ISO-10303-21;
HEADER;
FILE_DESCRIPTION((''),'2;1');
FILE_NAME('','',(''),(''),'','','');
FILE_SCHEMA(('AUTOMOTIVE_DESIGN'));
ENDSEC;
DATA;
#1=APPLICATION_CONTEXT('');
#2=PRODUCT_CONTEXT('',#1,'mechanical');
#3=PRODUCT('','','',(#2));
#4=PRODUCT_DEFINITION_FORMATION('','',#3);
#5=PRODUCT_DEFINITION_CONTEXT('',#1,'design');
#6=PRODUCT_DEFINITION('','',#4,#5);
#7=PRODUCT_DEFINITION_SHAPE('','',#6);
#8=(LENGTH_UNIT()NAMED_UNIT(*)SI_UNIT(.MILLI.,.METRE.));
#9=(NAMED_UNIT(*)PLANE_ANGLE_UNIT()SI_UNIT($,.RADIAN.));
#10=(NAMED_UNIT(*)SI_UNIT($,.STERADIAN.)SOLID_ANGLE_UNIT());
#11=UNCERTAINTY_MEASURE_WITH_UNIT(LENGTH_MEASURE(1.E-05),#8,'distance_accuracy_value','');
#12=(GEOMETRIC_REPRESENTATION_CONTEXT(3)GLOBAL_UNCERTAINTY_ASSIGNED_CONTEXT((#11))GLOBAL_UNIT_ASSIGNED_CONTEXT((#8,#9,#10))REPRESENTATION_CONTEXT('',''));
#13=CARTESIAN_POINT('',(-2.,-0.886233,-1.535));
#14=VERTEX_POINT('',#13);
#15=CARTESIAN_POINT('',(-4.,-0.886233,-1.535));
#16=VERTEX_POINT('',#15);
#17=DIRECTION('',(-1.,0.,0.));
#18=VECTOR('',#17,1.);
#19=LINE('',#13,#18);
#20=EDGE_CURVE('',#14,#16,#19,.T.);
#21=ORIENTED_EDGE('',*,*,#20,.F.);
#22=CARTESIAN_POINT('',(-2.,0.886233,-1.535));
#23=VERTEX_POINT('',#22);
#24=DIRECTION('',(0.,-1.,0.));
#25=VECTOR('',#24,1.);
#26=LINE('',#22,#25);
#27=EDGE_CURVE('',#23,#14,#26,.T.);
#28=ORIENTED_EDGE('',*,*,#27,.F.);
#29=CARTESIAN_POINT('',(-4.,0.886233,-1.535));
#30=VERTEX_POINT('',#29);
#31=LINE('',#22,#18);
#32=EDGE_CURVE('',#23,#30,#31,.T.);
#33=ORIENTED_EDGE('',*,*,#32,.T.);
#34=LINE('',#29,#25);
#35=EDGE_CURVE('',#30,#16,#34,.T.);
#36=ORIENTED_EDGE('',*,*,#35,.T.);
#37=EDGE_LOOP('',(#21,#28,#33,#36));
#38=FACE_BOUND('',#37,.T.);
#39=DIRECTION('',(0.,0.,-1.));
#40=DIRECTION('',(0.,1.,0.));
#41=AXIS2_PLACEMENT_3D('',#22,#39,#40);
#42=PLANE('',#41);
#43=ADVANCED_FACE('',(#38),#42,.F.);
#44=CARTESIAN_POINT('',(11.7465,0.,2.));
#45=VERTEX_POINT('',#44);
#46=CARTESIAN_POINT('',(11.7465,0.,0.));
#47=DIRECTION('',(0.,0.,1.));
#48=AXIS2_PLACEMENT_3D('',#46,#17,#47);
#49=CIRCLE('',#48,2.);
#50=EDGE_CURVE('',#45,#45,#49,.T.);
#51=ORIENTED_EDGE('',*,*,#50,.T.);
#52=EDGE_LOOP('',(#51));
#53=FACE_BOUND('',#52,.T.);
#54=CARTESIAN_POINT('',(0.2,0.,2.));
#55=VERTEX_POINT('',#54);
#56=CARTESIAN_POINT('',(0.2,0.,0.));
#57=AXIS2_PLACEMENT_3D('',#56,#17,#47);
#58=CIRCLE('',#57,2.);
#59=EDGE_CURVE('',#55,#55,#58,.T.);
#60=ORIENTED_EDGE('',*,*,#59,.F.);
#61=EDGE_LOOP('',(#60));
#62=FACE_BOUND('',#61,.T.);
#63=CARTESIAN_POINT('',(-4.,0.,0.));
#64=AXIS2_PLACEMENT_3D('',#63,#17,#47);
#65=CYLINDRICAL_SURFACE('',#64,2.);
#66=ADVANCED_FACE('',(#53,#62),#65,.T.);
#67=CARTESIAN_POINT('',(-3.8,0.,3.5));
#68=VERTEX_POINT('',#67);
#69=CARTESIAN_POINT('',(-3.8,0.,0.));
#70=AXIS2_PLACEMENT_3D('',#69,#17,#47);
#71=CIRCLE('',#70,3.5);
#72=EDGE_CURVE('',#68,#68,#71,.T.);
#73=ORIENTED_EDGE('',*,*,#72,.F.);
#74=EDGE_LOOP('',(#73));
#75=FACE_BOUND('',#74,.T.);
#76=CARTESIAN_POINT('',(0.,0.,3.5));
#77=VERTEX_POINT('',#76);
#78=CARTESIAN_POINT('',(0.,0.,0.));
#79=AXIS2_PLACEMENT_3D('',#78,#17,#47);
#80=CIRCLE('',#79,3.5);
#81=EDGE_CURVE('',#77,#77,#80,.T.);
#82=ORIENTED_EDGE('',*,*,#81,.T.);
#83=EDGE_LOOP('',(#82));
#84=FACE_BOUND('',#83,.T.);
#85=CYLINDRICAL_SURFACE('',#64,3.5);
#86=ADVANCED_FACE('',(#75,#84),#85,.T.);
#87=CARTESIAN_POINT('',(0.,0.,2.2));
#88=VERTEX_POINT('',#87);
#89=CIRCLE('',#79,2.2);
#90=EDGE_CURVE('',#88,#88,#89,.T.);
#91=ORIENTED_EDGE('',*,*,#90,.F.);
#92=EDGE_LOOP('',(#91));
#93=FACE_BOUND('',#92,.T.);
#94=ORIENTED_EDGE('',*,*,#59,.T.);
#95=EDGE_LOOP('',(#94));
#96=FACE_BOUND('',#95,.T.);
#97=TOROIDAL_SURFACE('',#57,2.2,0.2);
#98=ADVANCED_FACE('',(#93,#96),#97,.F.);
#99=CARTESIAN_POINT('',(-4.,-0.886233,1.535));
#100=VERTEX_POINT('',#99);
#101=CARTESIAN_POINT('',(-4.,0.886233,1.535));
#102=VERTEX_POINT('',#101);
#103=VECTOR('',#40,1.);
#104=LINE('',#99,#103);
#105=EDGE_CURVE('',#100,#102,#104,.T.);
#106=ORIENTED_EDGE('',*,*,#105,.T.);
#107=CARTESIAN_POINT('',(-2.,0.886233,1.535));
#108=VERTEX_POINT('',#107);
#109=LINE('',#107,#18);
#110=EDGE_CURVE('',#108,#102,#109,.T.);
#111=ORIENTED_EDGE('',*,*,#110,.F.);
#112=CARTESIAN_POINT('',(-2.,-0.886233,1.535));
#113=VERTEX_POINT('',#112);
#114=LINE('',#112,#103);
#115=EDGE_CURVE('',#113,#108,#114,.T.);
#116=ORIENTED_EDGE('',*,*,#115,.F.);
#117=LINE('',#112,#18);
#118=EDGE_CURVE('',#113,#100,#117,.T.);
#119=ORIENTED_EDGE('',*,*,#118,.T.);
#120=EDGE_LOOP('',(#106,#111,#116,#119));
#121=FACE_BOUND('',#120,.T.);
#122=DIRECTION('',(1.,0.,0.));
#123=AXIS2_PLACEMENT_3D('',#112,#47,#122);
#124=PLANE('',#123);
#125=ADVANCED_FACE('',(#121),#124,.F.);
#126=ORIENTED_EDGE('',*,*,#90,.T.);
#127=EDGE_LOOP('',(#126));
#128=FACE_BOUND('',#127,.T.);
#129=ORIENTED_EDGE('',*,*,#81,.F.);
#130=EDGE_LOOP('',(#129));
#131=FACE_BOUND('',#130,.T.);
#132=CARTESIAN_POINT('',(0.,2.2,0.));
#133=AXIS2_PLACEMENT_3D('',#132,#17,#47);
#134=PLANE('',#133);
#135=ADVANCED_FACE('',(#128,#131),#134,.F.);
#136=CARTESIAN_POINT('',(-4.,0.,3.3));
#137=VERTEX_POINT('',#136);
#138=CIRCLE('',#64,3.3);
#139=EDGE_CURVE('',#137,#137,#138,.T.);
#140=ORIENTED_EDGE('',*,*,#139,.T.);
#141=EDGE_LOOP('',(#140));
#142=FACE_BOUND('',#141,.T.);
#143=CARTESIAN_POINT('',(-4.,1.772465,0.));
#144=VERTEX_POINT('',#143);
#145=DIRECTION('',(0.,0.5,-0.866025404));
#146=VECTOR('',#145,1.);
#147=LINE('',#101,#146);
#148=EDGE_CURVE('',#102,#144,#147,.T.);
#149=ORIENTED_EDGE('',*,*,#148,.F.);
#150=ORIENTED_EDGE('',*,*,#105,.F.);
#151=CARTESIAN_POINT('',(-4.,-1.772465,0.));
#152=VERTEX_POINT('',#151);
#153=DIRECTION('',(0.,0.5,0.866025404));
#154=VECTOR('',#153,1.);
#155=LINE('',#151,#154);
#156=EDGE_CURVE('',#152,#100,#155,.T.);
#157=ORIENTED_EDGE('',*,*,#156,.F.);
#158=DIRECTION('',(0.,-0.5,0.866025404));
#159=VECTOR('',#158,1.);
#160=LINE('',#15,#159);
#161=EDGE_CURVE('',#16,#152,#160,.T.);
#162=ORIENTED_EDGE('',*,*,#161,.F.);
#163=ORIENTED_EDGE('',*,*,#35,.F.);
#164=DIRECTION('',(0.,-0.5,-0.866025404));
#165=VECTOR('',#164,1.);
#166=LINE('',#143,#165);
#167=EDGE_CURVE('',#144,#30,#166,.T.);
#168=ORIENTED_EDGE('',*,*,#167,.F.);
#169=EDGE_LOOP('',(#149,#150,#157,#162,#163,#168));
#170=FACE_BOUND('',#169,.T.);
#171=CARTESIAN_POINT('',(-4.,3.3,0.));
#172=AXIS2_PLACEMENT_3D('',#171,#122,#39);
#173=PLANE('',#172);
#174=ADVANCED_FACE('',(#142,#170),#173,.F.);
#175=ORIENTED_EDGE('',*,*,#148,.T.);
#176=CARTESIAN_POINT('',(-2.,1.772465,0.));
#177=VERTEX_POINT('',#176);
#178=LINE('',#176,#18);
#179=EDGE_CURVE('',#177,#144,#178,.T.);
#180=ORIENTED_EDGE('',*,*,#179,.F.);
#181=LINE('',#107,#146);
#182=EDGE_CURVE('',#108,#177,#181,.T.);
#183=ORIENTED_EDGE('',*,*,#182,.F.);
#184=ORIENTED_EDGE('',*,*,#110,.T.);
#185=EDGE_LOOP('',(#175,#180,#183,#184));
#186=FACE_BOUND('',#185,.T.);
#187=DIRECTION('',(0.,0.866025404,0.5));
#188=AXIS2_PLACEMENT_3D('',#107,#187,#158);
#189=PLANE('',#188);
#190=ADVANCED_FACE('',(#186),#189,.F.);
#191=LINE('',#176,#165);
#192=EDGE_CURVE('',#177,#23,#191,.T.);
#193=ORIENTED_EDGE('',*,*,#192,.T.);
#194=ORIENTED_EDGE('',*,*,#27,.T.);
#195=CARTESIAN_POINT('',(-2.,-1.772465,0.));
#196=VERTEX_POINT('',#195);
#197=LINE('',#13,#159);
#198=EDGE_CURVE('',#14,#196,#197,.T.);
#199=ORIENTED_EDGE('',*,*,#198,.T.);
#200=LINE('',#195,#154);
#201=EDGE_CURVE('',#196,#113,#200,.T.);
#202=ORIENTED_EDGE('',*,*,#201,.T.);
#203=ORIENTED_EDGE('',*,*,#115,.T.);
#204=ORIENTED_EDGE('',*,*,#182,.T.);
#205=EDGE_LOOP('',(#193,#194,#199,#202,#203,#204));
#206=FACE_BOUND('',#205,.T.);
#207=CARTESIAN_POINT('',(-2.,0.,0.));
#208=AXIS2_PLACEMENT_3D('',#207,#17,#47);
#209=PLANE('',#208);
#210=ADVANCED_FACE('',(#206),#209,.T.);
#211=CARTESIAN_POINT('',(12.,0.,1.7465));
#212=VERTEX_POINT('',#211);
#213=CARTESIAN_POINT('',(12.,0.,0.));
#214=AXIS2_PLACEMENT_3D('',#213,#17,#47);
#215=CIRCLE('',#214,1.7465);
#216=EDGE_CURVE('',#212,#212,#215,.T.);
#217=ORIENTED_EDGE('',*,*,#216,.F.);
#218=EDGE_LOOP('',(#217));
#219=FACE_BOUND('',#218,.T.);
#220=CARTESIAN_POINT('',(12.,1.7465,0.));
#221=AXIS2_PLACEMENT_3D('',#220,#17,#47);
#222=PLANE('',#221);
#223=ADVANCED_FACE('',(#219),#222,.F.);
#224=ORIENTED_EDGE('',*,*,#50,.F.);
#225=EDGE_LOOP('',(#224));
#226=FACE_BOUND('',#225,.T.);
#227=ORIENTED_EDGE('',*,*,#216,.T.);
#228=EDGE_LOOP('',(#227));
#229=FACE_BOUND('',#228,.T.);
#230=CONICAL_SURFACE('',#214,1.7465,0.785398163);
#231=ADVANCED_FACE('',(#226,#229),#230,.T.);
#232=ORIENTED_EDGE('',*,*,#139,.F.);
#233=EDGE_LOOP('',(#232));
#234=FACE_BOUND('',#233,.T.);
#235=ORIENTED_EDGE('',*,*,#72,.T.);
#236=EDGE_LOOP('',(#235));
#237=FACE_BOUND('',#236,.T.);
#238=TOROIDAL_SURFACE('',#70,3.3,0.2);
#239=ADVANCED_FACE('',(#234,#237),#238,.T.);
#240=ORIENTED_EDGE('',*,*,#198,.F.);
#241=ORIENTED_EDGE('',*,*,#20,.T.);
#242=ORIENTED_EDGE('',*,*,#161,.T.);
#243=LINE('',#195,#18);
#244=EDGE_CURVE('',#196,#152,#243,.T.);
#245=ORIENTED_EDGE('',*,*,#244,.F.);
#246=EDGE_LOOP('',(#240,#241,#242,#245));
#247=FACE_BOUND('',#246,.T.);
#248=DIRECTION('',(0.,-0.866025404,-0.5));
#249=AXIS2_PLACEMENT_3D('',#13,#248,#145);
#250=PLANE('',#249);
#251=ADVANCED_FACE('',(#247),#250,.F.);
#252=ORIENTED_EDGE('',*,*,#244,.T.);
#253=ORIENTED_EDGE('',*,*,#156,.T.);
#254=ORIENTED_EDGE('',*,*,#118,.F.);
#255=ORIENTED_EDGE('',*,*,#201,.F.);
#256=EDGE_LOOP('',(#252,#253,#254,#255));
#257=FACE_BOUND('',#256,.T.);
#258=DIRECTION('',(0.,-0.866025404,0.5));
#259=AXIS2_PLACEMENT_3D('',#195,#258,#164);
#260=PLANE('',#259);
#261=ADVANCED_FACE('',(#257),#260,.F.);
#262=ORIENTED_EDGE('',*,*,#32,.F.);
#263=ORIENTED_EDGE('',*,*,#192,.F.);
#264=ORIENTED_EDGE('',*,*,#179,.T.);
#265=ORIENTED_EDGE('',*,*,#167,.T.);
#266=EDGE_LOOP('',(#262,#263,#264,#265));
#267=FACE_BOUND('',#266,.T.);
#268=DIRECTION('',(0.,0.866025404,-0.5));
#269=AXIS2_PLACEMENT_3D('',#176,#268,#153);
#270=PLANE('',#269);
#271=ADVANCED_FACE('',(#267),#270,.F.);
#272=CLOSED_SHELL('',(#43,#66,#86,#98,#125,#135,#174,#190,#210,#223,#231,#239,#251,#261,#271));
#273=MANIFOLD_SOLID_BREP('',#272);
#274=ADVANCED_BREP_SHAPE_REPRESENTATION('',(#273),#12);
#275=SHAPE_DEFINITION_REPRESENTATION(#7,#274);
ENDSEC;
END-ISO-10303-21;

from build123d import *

# Parameters (mm, degrees)
CUT_EXTRUDE1_DEPTH = 2


with BuildPart() as part:
    # Sketch1 → Revolve1 (revolve)
    with BuildSketch(Plane.XY, mode=Mode.PRIVATE) as revolve1_sk:
        with BuildLine():
            Line((11.7465, 2), (0.2, 2))
            ThreePointArc((0.2, 2), (0.058578644, 2.058578644), (0, 2.2))
            Line((0, 2.2), (0, 3.5))
            Line((0, 3.5), (-3.8, 3.5))
            ThreePointArc((-3.8, 3.5), (-3.941421356, 3.441421356), (-4, 3.3))
            Line((-4, 3.3), (-4, 0))
            Line((-4, 0), (12, 0))
            Line((12, 0), (12, 1.7465))
            Line((12, 1.7465), (11.7465, 2))
        make_face()
    revolve(revolve1_sk.sketch.rotate(Axis((-4, 0, 0), (1, 0, 0)), 90), axis=Axis((-4, 0, 0), (1, 0, 0)))

    # Sketch2 → Cut-Extrude1 (cut)
    with BuildSketch(Plane.ZY.offset(4)):
        Polygon((1.535, 0.886232663), (0, 1.772465326), (-1.535, 0.886232663), (-1.535, -0.886232663), (0, -1.772465326), (1.535, -0.886232663), align=None)
    extrude(amount=-CUT_EXTRUDE1_DEPTH, mode=Mode.SUBTRACT)


solid = part.part
